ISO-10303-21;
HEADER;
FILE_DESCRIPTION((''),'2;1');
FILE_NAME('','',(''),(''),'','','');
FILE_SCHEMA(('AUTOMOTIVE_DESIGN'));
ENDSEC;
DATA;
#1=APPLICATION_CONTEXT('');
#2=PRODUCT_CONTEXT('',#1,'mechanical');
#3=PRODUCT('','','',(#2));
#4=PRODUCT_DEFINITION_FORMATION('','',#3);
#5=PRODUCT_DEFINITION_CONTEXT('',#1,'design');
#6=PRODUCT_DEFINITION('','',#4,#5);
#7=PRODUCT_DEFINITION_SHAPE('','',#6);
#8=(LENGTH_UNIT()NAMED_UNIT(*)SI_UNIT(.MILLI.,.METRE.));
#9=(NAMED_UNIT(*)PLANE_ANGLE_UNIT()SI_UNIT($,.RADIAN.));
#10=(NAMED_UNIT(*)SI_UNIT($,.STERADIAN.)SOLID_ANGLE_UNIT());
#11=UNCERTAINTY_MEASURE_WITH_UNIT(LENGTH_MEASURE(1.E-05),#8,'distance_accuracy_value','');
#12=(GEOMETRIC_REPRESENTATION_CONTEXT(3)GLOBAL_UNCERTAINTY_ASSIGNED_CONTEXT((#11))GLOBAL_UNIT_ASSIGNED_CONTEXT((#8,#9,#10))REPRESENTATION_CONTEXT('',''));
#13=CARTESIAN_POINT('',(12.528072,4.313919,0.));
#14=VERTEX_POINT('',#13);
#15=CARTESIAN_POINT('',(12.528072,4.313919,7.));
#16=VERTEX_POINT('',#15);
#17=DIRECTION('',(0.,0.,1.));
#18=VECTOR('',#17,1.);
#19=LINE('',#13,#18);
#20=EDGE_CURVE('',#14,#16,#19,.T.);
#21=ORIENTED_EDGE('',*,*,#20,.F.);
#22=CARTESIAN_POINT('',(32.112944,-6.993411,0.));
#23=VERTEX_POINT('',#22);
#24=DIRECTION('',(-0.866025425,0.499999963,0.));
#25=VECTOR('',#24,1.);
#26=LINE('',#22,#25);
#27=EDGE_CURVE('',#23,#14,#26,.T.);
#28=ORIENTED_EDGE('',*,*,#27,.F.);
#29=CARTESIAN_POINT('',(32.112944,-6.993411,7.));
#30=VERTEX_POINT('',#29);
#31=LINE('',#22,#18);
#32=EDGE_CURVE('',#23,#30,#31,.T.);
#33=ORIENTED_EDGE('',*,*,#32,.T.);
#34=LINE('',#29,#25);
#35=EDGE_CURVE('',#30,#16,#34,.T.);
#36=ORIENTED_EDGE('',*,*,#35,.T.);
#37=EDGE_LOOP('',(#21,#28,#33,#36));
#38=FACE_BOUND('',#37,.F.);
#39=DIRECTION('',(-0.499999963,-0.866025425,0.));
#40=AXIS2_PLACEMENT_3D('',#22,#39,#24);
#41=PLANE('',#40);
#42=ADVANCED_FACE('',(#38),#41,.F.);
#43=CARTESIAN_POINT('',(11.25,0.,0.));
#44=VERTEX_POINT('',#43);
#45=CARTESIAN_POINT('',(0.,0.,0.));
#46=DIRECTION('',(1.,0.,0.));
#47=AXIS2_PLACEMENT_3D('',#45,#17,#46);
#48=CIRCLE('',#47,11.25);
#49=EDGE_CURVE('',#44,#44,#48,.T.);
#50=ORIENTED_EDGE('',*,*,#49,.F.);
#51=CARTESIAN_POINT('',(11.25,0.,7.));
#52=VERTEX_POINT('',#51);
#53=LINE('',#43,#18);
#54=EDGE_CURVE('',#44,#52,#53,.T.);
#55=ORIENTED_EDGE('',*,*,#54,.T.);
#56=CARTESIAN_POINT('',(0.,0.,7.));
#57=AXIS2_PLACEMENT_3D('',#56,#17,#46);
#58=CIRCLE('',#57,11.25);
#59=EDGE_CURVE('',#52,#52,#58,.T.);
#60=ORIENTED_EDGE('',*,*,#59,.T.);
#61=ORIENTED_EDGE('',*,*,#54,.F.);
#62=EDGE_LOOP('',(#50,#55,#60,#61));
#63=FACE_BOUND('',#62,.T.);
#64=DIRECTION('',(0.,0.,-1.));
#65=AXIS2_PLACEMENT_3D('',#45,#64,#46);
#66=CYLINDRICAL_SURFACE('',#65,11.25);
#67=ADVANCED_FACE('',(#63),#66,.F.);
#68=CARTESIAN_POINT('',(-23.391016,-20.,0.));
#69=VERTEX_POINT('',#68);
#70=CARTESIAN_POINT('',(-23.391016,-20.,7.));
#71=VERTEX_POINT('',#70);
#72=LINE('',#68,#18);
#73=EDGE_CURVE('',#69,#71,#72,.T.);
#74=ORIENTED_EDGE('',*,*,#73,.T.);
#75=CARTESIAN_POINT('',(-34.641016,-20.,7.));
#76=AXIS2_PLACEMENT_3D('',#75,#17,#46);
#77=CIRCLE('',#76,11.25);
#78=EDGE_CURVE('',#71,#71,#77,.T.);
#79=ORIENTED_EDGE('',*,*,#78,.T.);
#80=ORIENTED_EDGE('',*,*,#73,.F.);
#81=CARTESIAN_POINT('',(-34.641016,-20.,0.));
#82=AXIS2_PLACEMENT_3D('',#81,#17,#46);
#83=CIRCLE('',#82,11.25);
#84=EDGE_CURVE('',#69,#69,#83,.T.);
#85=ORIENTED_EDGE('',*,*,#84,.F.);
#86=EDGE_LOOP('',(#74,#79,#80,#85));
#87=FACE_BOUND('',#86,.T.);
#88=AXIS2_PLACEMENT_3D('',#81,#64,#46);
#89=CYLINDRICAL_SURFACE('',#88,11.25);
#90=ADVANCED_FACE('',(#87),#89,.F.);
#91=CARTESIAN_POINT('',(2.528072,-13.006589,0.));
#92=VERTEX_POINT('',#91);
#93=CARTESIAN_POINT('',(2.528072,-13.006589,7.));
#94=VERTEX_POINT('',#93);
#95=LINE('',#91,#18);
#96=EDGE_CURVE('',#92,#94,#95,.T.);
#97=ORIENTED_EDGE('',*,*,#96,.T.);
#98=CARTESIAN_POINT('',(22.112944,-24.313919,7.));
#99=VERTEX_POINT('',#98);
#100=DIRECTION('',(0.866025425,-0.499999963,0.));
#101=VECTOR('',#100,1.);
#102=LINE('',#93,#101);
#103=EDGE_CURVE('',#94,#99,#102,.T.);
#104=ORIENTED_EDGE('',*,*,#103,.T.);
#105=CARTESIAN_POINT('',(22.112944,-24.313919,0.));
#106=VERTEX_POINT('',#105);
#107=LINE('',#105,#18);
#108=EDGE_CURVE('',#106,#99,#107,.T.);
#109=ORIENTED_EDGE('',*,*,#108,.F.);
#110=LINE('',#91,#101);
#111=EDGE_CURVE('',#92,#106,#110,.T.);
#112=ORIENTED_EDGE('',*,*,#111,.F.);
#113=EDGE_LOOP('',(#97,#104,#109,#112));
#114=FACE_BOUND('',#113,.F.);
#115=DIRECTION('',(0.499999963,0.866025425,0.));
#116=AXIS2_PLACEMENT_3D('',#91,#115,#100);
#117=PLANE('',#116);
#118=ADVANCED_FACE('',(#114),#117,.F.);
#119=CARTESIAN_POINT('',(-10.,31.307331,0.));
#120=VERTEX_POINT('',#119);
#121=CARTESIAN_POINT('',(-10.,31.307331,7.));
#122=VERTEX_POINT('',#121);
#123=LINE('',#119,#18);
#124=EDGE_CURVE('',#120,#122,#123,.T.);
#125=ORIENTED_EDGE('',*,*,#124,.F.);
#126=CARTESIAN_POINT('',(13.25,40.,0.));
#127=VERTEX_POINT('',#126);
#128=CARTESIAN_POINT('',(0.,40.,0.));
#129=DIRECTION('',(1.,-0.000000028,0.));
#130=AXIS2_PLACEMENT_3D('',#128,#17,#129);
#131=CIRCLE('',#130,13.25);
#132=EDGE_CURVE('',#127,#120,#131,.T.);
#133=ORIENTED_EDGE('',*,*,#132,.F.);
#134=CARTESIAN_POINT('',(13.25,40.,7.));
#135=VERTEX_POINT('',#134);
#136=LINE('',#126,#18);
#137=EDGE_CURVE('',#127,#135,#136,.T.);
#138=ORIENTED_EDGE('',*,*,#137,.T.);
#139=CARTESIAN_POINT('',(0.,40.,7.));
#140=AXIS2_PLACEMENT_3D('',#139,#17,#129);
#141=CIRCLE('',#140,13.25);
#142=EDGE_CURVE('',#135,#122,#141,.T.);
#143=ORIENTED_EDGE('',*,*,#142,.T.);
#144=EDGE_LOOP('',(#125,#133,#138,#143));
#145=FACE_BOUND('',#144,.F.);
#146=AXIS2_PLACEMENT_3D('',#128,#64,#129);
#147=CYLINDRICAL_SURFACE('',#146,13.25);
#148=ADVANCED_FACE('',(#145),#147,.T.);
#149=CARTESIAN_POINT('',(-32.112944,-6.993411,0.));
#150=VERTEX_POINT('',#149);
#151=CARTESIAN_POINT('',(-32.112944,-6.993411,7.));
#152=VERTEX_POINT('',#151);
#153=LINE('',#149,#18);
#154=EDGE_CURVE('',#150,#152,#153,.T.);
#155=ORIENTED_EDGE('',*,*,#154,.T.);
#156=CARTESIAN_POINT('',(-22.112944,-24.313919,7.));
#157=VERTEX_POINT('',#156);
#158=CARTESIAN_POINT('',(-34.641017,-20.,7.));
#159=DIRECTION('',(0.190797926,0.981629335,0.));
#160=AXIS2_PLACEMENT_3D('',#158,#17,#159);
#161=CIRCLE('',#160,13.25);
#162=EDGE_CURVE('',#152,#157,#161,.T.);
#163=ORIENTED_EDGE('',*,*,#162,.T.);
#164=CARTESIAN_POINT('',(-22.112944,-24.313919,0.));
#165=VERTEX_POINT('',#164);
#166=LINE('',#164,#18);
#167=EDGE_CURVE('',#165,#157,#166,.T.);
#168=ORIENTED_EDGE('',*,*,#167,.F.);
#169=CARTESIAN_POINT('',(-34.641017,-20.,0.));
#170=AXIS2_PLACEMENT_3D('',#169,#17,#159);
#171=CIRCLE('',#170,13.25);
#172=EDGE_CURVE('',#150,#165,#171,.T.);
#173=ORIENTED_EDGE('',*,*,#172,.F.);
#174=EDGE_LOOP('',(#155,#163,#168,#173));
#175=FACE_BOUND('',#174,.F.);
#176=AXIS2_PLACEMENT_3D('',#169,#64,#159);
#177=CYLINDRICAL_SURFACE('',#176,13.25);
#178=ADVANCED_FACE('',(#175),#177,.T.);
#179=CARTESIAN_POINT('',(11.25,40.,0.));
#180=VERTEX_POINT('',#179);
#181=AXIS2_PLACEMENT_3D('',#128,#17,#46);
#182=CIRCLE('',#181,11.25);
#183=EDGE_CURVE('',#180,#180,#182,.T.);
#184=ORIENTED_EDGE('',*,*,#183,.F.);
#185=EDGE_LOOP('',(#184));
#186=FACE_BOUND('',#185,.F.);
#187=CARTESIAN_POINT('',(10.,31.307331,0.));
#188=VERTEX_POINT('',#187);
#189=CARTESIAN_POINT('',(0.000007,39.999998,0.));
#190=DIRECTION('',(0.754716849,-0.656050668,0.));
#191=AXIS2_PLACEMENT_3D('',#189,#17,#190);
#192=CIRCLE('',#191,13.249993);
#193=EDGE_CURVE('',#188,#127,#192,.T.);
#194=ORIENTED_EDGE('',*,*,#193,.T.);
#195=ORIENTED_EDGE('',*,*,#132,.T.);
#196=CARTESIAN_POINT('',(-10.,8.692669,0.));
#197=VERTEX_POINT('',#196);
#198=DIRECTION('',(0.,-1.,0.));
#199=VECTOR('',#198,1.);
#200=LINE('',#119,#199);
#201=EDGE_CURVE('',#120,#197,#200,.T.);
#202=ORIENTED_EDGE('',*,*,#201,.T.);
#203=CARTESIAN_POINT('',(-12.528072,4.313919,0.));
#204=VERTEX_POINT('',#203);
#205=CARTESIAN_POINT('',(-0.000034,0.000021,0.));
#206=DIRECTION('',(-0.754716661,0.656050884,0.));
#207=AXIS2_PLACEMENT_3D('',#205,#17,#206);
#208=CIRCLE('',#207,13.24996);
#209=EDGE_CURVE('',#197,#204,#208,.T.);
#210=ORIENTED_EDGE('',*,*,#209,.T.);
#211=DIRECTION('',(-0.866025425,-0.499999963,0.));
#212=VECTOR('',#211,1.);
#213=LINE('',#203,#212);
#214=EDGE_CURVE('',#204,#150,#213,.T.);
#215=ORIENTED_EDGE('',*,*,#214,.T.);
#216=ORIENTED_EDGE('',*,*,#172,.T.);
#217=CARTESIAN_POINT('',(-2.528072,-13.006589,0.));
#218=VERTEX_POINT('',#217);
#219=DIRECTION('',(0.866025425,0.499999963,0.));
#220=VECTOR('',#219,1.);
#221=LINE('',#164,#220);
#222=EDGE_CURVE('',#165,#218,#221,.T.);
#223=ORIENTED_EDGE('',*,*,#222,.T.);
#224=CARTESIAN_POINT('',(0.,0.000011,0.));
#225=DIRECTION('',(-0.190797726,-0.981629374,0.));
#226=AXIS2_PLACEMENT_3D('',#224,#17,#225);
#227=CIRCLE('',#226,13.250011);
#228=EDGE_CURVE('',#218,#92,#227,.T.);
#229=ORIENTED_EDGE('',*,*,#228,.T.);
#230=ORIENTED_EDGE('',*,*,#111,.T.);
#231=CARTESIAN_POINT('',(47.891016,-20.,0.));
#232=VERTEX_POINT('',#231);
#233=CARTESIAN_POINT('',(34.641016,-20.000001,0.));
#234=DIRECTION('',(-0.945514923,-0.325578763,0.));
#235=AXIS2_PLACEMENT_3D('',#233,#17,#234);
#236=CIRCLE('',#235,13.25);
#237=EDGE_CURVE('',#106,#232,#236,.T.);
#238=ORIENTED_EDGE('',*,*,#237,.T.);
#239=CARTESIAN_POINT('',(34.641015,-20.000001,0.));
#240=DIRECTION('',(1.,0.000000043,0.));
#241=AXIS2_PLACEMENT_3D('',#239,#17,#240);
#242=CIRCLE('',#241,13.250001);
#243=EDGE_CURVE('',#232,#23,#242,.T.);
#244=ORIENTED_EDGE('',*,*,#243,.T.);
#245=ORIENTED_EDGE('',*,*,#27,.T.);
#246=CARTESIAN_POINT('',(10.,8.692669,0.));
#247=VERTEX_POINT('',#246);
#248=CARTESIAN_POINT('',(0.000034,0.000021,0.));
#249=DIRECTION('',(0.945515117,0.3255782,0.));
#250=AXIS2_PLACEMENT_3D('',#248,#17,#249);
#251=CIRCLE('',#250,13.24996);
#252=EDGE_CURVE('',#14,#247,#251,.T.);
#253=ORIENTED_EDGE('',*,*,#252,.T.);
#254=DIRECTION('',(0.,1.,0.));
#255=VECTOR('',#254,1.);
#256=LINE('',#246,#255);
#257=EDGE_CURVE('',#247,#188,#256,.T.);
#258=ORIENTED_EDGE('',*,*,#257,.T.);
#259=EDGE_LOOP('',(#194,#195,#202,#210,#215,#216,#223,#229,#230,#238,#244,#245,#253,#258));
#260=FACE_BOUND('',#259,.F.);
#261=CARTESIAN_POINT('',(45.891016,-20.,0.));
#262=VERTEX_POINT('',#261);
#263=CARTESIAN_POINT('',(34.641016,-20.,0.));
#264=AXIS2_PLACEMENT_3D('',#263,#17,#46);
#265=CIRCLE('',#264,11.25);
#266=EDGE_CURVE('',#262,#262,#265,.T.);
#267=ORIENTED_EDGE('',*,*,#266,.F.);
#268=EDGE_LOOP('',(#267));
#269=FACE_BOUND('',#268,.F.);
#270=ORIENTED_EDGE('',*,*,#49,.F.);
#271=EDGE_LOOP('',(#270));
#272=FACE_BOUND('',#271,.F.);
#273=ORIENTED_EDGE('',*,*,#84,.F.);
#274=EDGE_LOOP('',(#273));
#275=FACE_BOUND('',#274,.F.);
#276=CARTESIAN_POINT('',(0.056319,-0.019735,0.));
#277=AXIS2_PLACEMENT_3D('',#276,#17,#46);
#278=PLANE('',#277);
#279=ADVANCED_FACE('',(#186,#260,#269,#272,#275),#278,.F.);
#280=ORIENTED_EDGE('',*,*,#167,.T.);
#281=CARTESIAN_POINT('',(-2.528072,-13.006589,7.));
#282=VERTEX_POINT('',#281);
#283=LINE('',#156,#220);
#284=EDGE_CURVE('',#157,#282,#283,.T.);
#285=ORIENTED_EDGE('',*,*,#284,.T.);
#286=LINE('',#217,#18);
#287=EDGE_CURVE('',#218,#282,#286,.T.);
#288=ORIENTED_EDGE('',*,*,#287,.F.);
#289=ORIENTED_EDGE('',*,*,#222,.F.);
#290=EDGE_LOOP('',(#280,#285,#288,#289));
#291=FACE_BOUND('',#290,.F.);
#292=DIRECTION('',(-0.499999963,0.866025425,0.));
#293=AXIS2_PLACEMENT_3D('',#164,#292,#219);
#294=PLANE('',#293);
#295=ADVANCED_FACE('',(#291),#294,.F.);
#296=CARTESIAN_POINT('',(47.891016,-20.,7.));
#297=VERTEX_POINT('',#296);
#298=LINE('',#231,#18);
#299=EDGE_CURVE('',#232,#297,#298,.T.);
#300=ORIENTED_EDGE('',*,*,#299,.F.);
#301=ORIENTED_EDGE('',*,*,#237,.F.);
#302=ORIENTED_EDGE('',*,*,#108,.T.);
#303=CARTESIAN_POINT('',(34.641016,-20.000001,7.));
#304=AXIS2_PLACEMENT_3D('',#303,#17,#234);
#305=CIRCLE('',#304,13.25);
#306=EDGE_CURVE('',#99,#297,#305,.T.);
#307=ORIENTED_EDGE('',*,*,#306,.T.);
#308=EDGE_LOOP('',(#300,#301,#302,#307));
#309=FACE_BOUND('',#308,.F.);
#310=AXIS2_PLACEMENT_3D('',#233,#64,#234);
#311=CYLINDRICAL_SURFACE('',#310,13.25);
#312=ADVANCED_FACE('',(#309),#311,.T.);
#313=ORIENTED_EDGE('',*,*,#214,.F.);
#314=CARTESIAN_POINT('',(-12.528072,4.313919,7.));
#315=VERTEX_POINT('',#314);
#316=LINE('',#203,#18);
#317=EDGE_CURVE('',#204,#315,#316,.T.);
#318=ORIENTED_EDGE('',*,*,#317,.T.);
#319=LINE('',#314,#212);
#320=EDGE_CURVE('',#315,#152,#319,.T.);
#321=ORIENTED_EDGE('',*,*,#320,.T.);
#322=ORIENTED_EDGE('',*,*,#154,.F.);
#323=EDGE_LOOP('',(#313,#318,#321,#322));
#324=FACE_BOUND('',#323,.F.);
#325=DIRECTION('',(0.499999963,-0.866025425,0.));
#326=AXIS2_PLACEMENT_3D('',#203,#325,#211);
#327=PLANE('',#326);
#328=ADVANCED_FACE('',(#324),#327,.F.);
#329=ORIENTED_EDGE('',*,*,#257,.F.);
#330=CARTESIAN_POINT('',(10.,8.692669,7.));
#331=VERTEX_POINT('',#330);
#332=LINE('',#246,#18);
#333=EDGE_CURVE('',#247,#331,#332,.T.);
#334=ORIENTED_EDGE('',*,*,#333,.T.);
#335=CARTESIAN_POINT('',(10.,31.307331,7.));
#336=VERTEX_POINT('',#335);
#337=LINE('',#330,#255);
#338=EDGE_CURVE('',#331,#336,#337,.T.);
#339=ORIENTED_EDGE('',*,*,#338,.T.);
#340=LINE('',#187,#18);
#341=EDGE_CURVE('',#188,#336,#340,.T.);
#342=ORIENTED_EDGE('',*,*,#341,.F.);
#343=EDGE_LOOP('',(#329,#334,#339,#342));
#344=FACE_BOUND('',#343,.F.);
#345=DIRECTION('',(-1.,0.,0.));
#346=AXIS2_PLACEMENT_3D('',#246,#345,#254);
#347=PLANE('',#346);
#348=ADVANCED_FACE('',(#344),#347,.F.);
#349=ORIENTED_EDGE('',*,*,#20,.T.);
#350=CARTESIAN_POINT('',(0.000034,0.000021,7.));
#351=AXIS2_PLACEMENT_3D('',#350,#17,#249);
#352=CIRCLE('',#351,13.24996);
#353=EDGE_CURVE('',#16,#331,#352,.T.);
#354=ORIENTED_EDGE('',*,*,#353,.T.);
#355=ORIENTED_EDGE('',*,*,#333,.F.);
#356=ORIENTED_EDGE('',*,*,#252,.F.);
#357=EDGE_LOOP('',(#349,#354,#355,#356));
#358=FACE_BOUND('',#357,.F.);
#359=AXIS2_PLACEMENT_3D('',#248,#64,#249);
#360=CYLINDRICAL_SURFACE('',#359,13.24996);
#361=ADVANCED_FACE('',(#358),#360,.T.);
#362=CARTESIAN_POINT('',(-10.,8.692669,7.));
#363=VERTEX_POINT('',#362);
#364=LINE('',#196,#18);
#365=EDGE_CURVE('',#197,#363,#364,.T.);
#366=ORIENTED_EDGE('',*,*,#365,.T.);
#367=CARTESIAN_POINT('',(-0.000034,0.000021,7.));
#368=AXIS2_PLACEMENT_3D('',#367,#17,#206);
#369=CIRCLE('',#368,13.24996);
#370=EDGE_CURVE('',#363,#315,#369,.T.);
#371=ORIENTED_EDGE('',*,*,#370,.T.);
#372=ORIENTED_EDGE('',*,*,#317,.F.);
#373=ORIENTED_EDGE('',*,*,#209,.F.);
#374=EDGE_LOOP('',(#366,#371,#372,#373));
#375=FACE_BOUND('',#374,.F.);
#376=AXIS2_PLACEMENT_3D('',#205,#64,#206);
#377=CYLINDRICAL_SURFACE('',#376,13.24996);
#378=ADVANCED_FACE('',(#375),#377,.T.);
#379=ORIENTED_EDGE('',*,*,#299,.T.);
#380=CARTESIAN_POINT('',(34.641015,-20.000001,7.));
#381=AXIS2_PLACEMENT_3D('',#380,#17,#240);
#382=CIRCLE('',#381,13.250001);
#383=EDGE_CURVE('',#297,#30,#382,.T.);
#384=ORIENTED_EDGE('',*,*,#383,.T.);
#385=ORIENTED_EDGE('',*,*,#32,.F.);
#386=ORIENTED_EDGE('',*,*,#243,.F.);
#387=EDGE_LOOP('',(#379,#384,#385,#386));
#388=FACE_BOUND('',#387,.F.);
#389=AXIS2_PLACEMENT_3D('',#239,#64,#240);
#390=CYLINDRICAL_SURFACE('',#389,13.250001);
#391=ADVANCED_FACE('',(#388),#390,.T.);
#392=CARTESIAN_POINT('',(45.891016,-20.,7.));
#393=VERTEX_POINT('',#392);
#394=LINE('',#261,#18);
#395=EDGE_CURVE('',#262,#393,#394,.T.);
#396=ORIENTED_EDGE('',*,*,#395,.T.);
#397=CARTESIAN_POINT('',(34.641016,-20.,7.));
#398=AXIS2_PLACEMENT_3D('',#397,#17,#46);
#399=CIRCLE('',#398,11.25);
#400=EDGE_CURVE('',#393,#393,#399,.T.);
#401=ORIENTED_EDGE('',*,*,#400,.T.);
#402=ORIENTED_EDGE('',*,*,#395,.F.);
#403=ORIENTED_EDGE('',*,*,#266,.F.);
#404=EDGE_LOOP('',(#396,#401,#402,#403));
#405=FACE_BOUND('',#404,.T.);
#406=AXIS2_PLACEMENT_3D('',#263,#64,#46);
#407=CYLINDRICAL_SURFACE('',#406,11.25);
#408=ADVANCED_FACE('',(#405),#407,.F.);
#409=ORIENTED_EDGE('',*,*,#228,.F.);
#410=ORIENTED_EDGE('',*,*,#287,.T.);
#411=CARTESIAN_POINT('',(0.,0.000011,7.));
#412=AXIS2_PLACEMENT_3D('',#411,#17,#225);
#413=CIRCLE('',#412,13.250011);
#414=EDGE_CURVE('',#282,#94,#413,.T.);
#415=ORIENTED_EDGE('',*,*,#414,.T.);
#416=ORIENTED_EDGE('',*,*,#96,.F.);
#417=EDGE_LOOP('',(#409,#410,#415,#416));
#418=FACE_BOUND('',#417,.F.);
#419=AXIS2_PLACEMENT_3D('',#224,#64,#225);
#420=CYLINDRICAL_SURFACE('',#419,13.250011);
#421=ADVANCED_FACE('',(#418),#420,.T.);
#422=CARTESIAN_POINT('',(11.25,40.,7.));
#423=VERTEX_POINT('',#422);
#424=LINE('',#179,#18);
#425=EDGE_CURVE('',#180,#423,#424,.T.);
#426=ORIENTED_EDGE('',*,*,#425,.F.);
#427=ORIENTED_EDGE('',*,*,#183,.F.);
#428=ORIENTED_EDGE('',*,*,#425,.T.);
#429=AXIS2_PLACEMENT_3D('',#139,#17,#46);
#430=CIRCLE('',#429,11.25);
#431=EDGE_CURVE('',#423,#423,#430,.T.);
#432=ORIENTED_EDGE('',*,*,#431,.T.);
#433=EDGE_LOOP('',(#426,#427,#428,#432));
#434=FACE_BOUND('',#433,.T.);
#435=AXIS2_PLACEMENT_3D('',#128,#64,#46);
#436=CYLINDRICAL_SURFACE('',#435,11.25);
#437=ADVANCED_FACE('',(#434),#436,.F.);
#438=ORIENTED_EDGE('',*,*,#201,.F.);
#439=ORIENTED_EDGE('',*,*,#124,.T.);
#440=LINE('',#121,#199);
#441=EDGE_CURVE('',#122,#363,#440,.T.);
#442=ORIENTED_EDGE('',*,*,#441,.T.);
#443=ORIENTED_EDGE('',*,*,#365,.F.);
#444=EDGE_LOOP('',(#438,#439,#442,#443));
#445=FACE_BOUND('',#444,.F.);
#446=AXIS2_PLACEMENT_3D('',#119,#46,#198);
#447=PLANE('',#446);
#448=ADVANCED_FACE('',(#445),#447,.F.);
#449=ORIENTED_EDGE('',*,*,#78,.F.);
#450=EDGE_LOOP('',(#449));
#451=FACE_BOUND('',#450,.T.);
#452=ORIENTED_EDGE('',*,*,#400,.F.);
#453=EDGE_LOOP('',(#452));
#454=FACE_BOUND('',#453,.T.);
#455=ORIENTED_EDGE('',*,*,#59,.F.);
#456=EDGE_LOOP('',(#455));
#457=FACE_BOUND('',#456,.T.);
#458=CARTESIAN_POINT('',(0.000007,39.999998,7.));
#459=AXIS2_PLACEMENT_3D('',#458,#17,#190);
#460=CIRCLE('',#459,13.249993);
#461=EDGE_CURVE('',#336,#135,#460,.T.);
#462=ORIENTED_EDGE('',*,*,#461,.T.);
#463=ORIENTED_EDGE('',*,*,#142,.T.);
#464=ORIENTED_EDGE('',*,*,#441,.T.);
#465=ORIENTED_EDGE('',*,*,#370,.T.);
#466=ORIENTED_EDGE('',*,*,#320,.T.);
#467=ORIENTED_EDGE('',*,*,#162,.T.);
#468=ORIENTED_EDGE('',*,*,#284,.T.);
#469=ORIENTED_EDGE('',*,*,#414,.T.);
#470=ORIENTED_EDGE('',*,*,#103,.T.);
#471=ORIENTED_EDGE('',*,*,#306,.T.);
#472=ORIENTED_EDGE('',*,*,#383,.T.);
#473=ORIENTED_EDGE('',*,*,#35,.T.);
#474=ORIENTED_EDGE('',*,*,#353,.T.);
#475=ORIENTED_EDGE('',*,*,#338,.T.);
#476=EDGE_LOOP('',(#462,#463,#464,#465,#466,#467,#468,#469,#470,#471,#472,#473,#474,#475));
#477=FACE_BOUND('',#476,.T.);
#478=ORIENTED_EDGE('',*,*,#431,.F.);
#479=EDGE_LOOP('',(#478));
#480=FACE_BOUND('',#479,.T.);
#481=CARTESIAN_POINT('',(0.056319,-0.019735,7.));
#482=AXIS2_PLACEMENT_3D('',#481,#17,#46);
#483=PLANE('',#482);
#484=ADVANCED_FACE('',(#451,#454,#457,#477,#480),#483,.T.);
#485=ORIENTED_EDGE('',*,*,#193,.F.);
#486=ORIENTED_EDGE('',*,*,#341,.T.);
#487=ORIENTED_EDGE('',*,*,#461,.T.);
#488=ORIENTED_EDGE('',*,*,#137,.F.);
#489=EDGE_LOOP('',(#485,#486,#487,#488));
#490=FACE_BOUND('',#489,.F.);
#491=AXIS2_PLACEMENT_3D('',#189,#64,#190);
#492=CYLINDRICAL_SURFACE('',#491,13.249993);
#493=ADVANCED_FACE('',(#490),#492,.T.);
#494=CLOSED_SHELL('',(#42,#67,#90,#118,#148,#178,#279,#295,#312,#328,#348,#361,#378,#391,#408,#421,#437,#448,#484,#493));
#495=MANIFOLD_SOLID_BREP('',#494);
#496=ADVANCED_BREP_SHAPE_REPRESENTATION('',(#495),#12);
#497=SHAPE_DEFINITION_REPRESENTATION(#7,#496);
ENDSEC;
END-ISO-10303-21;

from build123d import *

# Parameters (mm, degrees)
F0_R     = 11.25
F1_DEPTH = 7


with BuildPart() as f1:
    # F0 (on Top) → F1 (new body)
    with BuildSketch(Plane.XY):
        with BuildLine():
            ThreePointArc((2.528072, -13.006589), (10.223978, -8.428094), (13.25, 0))
            ThreePointArc((13.25, 0), (13.068272, 2.186954), (12.528072, 4.313919))
            ThreePointArc((12.528072, 4.313919), (11.474837, 6.625), (10, 8.692669))
            ThreePointArc((10, 8.692669), (0, 13.25), (-10, 8.692669))
            ThreePointArc((-10, 8.692669), (-11.474837, 6.625), (-12.528072, 4.313919))
            ThreePointArc((-12.528072, 4.313919), (-11.474837, -6.625), (-2.528072, -13.006589))
            ThreePointArc((-2.528072, -13.006589), (0, -13.25), (2.528072, -13.006589))
        make_face()
        Circle(F0_R, mode=Mode.SUBTRACT)
        with BuildLine():
            ThreePointArc((12.528072, 4.313919), (13.068272, 2.186954), (13.25, 0))
            ThreePointArc((13.25, 0), (10.223978, -8.428094), (2.528072, -13.006589))
            Line((2.528072, -13.006589), (22.112944, -24.313919))
            ThreePointArc((22.112944, -24.313919), (23.16618, -13.375), (32.112944, -6.993411))
            Line((32.112944, -6.993411), (12.528072, 4.313919))
        make_face()
        with BuildLine():
            ThreePointArc((-10, 8.692669), (0, 13.25), (10, 8.692669))
            Line((10, 8.692669), (10, 31.307331))
            ThreePointArc((10, 31.307331), (0, 26.75), (-10, 31.307331))
            Line((-10, 31.307331), (-10, 8.692669))
        make_face()
        with BuildLine():
            ThreePointArc((47.891016, -20), (43.06911, -9.776022), (32.112944, -6.993411))
            ThreePointArc((32.112944, -6.993411), (23.16618, -13.375), (22.112944, -24.313919))
            ThreePointArc((22.112944, -24.313919), (36.827971, -33.068272), (47.891016, -20))
        make_face()
        with Locations((34.641016, -20)):
            Circle(F0_R, mode=Mode.SUBTRACT)
        with BuildLine():
            Line((-22.112944, -24.313919), (-2.528072, -13.006589))
            ThreePointArc((-2.528072, -13.006589), (-11.474837, -6.625), (-12.528072, 4.313919))
            Line((-12.528072, 4.313919), (-32.112944, -6.993411))
            ThreePointArc((-32.112944, -6.993411), (-24.417038, -11.571906), (-21.391016, -20))
            ThreePointArc((-21.391016, -20), (-21.572744, -22.186954), (-22.112944, -24.313919))
        make_face()
        with BuildLine():
            ThreePointArc((-10, 31.307331), (0, 26.75), (10, 31.307331))
            ThreePointArc((10, 31.307331), (12.410933, 35.359822), (13.25, 40))
            ThreePointArc((13.25, 40), (-4.640178, 52.410933), (-10, 31.307331))
        make_face()
        with Locations((0, 40)):
            Circle(F0_R, mode=Mode.SUBTRACT)
        with BuildLine():
            ThreePointArc((-32.112944, -6.993411), (-46.115853, -26.625), (-22.112944, -24.313919))
            ThreePointArc((-22.112944, -24.313919), (-21.572744, -22.186954), (-21.391016, -20))
            ThreePointArc((-21.391016, -20), (-24.417038, -11.571906), (-32.112944, -6.993411))
        make_face()
        with Locations((-34.641016, -20)):
            Circle(F0_R, mode=Mode.SUBTRACT)
    extrude(amount=F1_DEPTH)


solid = f1.part
